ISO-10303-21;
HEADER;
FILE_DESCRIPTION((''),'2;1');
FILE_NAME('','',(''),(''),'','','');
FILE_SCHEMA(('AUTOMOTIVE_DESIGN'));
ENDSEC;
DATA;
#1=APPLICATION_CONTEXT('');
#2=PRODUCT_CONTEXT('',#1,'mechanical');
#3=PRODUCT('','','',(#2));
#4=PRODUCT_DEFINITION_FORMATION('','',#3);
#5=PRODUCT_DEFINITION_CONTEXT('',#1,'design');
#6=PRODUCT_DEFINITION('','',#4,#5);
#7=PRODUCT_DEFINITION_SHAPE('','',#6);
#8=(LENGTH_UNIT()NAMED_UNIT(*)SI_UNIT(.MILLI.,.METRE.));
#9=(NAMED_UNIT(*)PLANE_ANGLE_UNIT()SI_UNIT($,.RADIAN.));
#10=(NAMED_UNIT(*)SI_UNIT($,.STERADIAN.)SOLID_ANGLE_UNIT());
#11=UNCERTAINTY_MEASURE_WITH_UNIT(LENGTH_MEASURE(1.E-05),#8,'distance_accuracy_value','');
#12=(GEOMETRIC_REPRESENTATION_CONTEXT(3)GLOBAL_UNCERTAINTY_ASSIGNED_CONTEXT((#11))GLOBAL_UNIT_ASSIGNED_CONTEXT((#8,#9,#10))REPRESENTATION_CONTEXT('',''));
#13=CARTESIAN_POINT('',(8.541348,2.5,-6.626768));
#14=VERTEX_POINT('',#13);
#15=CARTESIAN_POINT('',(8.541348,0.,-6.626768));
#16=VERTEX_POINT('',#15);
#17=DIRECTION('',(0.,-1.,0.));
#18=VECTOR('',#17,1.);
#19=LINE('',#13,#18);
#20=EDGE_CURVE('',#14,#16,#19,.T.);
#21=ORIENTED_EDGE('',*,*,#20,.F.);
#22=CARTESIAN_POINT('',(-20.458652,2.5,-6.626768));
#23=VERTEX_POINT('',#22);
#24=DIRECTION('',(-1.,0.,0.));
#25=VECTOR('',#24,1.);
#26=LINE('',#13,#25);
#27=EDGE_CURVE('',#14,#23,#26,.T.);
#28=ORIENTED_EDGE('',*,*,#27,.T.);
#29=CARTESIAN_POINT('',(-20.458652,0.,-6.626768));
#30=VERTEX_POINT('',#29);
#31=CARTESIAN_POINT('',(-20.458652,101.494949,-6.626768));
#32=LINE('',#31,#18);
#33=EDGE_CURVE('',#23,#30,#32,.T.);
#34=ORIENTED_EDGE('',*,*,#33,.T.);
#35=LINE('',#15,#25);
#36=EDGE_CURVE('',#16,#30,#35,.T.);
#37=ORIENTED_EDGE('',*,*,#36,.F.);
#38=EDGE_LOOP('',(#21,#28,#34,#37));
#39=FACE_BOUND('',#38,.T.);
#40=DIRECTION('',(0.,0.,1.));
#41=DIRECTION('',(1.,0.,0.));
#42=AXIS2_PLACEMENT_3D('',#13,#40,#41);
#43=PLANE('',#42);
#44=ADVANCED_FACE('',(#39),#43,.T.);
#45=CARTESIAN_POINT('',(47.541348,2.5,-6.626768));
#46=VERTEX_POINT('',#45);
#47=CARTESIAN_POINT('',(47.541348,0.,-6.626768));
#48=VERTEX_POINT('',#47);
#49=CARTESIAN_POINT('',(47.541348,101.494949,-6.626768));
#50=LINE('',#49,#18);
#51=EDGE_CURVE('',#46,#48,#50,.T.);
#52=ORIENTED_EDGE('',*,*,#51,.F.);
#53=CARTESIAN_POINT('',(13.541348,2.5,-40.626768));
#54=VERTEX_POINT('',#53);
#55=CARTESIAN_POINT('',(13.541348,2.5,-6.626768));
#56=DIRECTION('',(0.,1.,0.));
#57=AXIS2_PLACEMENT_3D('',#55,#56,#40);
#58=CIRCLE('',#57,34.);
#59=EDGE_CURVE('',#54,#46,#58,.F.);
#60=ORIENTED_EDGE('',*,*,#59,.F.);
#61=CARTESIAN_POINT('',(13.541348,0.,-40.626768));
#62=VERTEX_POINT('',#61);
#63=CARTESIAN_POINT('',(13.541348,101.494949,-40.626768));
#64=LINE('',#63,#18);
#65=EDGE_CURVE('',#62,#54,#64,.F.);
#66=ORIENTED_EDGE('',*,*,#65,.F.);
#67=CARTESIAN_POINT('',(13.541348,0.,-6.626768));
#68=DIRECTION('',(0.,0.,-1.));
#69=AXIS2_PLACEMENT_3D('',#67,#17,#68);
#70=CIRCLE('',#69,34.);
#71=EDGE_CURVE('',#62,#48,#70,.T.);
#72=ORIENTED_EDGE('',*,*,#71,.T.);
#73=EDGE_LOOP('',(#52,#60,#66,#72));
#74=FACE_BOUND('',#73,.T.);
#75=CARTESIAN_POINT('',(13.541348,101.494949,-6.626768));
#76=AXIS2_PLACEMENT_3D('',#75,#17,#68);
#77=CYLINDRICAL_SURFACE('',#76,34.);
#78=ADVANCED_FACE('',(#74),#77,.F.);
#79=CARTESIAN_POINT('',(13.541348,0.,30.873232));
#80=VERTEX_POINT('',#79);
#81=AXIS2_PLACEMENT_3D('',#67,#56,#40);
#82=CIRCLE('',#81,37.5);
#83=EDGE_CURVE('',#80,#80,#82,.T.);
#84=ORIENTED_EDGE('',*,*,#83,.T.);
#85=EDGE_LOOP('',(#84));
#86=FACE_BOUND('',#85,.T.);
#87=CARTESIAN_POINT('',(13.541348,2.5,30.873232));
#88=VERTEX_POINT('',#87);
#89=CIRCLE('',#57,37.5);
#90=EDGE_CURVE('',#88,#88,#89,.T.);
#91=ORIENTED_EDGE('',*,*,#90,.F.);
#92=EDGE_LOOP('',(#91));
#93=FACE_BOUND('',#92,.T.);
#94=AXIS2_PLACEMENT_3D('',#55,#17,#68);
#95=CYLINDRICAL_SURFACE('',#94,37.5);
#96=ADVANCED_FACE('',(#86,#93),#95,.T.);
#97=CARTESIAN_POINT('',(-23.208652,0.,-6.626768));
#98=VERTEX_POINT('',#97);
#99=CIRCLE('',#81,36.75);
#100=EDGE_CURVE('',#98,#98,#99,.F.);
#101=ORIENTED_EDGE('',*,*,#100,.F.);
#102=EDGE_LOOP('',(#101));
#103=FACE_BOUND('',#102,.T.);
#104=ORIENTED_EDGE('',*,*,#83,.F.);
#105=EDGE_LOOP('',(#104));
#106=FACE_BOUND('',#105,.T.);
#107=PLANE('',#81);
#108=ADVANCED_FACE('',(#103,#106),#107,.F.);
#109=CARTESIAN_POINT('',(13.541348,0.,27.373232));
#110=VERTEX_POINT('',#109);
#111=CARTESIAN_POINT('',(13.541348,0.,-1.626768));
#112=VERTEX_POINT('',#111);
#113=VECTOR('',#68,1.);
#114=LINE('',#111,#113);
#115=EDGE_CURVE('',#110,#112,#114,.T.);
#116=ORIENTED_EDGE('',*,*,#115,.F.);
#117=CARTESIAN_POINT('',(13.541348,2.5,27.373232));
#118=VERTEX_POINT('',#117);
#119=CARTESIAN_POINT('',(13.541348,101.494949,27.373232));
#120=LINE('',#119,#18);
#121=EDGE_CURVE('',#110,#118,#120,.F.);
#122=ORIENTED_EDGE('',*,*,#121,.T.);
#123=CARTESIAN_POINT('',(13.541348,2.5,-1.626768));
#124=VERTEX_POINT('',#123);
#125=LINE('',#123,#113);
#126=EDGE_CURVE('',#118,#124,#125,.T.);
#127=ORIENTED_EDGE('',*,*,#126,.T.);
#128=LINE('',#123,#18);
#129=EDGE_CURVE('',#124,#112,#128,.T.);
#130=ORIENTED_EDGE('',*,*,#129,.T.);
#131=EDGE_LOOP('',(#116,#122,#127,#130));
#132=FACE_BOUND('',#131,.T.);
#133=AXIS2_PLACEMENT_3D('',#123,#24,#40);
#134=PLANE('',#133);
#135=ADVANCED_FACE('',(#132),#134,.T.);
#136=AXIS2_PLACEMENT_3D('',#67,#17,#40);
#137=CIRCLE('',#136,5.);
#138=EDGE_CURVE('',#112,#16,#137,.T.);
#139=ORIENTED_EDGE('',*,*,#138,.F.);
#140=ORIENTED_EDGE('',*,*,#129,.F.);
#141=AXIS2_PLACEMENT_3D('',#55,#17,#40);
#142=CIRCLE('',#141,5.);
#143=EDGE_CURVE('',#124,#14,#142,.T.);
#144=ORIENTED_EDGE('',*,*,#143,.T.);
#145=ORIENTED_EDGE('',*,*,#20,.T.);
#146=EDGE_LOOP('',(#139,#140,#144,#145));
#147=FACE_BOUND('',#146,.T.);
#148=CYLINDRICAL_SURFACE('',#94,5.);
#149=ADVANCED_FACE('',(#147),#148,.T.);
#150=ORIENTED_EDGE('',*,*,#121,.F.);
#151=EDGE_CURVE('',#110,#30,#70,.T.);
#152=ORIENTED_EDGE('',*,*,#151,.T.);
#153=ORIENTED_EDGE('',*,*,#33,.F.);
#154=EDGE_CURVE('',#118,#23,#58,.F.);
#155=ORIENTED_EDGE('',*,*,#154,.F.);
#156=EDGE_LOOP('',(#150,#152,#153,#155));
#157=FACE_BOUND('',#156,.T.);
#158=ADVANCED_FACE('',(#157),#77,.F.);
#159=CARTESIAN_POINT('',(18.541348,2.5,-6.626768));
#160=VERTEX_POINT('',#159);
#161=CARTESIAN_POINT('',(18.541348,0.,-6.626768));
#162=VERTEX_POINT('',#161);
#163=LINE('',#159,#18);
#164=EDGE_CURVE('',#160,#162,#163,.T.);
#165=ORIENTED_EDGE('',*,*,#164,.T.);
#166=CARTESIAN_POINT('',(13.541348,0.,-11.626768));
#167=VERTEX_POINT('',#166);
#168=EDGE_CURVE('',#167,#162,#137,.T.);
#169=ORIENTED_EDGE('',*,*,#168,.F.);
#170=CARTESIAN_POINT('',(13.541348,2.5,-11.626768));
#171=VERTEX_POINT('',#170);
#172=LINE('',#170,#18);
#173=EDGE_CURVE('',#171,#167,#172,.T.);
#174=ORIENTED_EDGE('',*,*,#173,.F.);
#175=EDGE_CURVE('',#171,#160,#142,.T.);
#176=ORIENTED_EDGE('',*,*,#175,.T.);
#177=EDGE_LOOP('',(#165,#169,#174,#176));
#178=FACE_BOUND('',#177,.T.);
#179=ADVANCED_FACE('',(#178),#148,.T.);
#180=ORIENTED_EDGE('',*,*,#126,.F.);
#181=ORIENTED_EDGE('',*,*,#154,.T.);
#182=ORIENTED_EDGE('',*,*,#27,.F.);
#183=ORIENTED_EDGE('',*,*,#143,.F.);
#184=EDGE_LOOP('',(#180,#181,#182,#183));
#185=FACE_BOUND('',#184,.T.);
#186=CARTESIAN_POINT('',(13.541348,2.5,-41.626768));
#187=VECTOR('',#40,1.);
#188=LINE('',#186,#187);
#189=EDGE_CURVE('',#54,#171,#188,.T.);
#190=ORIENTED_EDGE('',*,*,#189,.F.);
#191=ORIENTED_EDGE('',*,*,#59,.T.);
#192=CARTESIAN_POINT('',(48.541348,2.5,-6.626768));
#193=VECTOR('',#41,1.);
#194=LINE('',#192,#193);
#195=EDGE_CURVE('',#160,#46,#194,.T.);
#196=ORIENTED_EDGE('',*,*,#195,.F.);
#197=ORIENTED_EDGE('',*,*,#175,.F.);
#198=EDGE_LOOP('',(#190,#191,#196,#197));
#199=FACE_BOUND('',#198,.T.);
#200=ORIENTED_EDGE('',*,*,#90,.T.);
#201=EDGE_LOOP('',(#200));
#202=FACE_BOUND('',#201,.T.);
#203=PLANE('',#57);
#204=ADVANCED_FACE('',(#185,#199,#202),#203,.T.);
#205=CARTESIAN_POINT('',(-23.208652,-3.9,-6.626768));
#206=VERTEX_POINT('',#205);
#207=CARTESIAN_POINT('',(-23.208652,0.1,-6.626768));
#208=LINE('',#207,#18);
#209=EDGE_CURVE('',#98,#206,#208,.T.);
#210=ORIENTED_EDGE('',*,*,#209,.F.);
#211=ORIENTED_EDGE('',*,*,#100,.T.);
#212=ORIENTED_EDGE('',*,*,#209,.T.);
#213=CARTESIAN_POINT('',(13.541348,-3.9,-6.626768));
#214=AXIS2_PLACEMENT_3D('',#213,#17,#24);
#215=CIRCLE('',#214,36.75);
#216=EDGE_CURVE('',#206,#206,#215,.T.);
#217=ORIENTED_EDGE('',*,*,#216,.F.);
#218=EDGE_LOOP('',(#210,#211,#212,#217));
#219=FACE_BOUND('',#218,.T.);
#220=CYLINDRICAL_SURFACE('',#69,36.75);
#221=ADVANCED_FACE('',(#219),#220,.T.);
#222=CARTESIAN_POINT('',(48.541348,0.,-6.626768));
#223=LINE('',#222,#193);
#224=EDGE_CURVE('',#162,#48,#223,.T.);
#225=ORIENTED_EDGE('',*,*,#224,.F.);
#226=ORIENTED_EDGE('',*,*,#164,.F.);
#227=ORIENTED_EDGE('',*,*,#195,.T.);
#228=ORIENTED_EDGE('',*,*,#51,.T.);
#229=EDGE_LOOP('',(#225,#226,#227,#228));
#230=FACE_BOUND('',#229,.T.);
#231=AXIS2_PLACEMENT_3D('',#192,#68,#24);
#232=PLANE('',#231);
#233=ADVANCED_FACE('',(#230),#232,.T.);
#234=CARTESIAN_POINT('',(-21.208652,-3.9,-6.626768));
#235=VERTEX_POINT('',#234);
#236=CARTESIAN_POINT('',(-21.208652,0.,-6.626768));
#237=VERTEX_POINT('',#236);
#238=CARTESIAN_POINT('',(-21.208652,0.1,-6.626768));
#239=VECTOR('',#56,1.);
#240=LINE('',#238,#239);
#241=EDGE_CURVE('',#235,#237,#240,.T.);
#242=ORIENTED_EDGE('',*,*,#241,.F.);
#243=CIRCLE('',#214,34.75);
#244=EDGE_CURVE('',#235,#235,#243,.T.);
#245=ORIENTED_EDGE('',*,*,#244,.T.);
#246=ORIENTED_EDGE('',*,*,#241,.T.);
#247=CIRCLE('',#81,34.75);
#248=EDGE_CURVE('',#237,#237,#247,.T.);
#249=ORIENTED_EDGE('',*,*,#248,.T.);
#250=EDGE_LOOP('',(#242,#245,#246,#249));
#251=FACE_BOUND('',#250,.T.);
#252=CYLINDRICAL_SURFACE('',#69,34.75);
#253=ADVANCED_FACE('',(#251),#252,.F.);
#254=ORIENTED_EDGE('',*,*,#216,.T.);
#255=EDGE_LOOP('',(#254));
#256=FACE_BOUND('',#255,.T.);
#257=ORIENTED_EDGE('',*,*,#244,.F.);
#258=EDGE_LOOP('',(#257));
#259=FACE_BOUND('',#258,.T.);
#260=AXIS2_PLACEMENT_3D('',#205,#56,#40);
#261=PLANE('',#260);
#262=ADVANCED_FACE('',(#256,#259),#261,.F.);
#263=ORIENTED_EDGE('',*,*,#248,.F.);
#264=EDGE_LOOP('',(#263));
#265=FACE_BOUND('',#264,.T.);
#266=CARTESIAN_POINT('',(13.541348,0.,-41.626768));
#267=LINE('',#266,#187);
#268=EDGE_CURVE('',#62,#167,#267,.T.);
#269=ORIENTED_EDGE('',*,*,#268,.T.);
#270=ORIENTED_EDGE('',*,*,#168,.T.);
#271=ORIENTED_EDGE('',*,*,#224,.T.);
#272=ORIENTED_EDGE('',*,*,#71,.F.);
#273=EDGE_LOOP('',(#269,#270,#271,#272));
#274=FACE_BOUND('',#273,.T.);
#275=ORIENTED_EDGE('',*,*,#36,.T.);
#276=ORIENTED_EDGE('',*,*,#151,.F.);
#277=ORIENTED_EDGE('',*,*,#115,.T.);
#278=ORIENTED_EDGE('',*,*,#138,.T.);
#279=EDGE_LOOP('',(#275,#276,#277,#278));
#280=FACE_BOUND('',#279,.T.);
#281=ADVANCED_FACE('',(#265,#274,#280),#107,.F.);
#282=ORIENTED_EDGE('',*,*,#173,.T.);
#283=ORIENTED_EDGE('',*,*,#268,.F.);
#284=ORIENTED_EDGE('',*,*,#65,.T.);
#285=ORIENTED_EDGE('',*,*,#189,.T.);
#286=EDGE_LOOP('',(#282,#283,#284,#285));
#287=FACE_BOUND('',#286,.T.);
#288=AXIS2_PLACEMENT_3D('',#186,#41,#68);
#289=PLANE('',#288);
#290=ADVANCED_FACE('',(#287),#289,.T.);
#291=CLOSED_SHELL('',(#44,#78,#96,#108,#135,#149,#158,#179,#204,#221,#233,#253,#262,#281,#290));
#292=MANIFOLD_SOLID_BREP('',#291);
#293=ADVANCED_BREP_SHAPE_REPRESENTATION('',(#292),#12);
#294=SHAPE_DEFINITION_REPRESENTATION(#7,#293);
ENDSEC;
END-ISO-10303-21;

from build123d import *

# Parameters (mm, degrees)
CROQUIS1_R              = 37.5
SALIENTE_EXTRUIR1_DEPTH = 2.5
CROQUIS3_W              = 2
CROQUIS3_H              = 4
CROQUIS5_R              = 35
CROQUIS5_R_2            = 34
SALIENTE_EXTRUIR2_DEPTH = 2.5


with BuildPart() as part:
    # Croquis1 → Saliente-Extruir1 (new body)
    with BuildSketch(Plane(origin=(0, 0, 0), x_dir=(1, 0, 0), z_dir=(0, 1, 0))):
        with Locations((13.541348433, 6.626768313)):
            Circle(CROQUIS1_R)
        with BuildLine():
            Line((13.541348433, 41.626768313), (13.541348433, 11.626768313))
            ThreePointArc((13.541348433, 11.626768313), (17.076882339, 10.162302219), (18.541348433, 6.626768313))
            Line((18.541348433, 6.626768313), (48.541348433, 6.626768313))
            ThreePointArc((48.541348433, 6.626768313), (38.290085775, 31.375505654), (13.541348433, 41.626768313))
        make_face(mode=Mode.SUBTRACT)
        with BuildLine():
            Line((8.541348433, 6.626768313), (-21.458651567, 6.626768313))
            ThreePointArc((-21.458651567, 6.626768313), (-11.207388908, -18.121969029), (13.541348433, -28.373231687))
            Line((13.541348433, -28.373231687), (13.541348433, 1.626768313))
            ThreePointArc((13.541348433, 1.626768313), (10.005814527, 3.091234407), (8.541348433, 6.626768313))
        make_face(mode=Mode.SUBTRACT)
    extrude(amount=SALIENTE_EXTRUIR1_DEPTH)

    # Barrer1: sweep along a path in Croquis4
    with BuildLine(Plane(origin=(0, 0, 0), x_dir=(-1, 0, 0), z_dir=(0, -1, 0))) as barrer1_path:
        CenterArc((-13.541348433, 6.626768313), 36.25, 0, 360)
    # Croquis3 → Barrer1 (sweep)
    with BuildSketch(Plane.XY.offset(-6.626768313)):
        with Locations((-22.208651567, -1.9)):
            Rectangle(CROQUIS3_W, CROQUIS3_H)
    sweep(path=barrer1_path.line)

    # Croquis5 → Saliente-Extruir2 (add)
    with BuildSketch(Plane.XZ):
        with Locations((13.541348433, -6.626768313)):
            Circle(CROQUIS5_R)
        with Locations((13.541348433, -6.626768313)):
            Circle(CROQUIS5_R_2, mode=Mode.SUBTRACT)
    extrude(amount=-SALIENTE_EXTRUIR2_DEPTH)


solid = part.part
